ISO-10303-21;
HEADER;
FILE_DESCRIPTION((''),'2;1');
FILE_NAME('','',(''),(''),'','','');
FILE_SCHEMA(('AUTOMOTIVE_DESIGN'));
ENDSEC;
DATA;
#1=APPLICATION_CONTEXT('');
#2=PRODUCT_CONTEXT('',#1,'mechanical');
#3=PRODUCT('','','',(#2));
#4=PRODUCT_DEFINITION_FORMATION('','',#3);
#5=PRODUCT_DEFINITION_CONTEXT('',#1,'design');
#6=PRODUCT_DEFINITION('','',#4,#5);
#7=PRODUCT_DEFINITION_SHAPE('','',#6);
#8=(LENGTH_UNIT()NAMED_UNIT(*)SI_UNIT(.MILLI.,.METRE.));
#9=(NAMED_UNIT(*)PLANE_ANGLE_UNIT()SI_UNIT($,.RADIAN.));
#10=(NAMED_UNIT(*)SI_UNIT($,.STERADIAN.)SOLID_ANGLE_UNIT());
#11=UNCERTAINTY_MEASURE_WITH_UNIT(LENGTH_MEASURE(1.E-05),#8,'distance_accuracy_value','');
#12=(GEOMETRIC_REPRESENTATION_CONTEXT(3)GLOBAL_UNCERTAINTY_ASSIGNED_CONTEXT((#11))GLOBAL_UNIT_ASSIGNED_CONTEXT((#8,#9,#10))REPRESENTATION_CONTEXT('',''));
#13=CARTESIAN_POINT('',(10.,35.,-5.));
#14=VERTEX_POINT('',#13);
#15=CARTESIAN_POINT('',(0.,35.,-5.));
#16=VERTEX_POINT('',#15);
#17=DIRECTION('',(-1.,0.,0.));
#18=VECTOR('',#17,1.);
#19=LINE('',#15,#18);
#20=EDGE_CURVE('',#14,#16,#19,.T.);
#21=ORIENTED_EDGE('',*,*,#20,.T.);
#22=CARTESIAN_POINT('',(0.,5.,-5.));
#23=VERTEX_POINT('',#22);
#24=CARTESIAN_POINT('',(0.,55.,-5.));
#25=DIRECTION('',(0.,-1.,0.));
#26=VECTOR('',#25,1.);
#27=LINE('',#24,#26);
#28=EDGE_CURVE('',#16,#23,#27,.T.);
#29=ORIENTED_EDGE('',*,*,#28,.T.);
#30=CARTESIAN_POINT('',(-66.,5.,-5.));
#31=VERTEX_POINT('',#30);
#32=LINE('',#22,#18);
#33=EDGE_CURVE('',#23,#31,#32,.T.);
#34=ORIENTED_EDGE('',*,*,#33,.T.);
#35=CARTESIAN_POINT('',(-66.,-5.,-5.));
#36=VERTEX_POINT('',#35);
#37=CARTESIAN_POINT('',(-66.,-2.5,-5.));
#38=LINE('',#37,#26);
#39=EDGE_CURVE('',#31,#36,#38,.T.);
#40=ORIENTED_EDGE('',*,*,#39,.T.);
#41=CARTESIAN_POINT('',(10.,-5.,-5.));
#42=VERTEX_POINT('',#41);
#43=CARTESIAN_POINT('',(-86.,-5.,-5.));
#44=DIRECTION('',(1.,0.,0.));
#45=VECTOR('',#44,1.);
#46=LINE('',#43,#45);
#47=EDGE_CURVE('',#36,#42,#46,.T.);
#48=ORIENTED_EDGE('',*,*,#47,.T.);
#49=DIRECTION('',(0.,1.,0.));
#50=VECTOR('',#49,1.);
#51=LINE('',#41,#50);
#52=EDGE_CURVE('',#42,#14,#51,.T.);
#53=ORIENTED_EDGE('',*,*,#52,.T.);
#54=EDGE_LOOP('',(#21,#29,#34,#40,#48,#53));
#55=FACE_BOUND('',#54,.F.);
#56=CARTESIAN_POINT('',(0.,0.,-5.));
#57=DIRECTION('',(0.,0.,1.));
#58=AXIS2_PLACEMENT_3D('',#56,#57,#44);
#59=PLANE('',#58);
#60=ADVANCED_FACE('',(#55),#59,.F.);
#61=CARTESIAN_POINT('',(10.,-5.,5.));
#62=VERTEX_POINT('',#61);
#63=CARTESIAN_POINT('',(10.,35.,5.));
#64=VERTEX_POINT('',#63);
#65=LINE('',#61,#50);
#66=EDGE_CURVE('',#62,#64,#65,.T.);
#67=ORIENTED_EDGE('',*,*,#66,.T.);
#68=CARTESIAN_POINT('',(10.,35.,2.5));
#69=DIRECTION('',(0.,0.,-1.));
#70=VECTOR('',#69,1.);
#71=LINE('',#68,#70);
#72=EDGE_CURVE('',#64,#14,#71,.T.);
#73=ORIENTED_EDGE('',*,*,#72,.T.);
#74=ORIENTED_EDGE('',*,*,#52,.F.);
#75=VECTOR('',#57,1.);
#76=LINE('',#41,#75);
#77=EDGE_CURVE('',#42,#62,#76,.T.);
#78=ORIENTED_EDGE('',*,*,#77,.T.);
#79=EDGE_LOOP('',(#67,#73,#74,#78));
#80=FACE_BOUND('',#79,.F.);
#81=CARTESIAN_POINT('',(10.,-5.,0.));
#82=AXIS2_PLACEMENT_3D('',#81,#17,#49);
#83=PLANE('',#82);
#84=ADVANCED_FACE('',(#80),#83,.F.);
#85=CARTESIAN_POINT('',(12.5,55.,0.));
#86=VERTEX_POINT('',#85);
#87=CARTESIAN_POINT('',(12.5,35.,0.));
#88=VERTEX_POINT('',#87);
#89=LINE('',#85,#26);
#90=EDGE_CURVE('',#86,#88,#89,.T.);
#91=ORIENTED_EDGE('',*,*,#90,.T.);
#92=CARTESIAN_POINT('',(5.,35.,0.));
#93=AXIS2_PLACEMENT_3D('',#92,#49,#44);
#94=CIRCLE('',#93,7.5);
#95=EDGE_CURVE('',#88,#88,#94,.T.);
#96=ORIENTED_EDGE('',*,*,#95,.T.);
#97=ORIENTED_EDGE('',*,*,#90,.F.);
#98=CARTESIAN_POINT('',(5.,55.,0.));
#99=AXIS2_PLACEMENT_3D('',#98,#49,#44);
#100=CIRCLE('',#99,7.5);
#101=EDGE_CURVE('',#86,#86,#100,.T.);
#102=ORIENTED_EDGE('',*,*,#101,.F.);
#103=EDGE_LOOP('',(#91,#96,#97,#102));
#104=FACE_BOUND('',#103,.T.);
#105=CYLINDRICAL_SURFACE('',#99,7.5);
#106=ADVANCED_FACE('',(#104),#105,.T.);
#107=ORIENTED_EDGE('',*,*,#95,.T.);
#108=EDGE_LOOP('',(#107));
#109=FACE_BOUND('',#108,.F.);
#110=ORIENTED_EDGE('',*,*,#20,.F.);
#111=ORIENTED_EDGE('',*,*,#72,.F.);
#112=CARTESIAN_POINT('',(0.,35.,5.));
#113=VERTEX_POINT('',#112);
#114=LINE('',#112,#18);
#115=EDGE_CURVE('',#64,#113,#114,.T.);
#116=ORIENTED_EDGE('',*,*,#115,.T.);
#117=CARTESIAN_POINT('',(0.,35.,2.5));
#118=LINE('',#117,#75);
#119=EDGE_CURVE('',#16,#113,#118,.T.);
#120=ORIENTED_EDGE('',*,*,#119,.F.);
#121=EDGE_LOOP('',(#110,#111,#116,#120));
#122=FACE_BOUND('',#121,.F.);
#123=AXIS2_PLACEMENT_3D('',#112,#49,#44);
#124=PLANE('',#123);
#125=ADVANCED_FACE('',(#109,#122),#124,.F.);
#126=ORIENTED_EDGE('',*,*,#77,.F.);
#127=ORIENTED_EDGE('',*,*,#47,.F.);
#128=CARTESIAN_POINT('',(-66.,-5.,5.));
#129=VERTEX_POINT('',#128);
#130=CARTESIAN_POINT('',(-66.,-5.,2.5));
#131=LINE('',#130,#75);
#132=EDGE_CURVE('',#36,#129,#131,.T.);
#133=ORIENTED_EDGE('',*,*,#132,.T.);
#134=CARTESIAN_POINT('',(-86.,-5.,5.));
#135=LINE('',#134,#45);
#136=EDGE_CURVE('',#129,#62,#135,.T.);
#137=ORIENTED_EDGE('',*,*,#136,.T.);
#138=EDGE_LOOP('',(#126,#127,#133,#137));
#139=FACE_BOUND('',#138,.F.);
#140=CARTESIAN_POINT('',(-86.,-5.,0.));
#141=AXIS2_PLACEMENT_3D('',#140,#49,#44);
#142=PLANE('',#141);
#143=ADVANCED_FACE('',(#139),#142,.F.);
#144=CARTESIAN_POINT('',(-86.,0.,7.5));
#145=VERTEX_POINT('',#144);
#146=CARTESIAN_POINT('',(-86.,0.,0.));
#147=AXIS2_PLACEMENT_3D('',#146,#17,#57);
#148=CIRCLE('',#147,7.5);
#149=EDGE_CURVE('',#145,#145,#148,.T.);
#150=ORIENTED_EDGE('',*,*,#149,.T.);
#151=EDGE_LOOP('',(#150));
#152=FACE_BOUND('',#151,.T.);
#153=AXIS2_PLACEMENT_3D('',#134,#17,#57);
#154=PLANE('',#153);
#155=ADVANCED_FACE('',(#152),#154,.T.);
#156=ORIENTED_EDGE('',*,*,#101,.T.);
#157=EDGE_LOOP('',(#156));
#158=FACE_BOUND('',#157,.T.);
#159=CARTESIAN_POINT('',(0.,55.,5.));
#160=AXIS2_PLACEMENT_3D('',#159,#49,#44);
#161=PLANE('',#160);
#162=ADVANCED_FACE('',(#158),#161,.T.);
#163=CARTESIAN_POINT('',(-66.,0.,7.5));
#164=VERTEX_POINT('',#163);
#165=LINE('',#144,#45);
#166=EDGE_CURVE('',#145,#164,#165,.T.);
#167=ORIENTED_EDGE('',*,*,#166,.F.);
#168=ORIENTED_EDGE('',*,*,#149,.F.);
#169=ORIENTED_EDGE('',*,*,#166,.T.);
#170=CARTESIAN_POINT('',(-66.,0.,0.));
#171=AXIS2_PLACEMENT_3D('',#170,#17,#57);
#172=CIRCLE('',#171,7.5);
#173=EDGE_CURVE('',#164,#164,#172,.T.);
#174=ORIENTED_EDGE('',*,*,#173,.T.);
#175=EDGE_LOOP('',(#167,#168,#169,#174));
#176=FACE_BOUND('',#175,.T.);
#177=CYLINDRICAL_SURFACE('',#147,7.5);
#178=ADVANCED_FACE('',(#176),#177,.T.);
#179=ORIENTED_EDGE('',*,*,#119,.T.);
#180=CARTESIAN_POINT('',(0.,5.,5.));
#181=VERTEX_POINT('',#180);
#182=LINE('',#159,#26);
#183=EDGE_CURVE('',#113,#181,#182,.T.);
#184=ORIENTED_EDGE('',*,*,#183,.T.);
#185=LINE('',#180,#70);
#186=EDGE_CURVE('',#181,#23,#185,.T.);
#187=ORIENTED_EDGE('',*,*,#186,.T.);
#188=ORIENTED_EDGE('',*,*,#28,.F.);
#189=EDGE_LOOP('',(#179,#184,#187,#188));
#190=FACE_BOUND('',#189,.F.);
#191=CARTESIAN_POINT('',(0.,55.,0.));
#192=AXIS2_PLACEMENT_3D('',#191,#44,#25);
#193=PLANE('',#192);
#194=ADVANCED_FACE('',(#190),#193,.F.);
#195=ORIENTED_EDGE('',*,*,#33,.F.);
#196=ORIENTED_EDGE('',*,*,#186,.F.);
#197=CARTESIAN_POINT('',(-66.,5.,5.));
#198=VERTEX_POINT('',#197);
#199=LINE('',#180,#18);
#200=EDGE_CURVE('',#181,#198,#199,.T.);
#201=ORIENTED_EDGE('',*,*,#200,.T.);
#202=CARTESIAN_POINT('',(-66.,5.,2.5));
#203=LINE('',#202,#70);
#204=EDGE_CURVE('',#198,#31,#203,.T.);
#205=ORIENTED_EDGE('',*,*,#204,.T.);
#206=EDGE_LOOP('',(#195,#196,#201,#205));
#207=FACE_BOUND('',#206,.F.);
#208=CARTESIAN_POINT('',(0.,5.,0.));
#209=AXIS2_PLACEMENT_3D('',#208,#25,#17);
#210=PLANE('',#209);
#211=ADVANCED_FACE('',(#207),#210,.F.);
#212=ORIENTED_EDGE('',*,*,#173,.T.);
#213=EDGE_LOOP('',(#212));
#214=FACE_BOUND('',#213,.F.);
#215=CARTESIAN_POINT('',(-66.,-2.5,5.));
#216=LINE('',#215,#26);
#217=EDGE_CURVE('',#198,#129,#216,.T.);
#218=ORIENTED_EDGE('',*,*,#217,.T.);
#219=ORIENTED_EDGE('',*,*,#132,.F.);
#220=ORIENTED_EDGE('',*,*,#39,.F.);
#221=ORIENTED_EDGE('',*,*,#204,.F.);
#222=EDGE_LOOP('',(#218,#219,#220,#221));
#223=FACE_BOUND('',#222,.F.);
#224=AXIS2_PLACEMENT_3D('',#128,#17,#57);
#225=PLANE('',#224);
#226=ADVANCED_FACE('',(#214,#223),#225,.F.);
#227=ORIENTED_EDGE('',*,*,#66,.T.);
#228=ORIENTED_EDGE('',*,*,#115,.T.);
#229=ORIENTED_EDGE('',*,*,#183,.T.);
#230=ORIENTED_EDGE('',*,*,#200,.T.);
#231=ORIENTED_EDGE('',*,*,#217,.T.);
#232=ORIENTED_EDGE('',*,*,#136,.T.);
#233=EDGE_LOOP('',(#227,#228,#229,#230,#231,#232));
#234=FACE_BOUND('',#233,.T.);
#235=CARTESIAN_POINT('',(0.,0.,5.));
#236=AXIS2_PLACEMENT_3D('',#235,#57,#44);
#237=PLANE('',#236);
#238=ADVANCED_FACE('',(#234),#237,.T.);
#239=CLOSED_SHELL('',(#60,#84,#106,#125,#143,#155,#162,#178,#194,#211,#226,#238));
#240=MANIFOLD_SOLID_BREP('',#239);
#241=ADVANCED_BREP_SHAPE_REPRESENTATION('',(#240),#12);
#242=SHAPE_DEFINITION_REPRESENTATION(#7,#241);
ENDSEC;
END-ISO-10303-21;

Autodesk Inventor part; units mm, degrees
ref_plane "YZ Plane" through (0, 0, 0) normal (1, 0, 0) x (0, 1, 0)
ref_plane "XZ Plane" through (0, 0, 0) normal (0, 1, 0) x (-1, 0, 0)
ref_plane "XY Plane" through (0, 0, 0) normal (0, 0, 1) x (1, 0, 0)
sketch "スケッチ1" plane through (0, 0, 0) normal (0, 0, 1) x (1, 0, 0)
  line L0 (-86, 5) -> (-86, -5)
  line L1 (-86, -5) -> (10, -5)
  line L2 (10, -5) -> (10, 55)
  line L3 (10, 55) -> (0, 55)
  line L4 (0, 55) -> (0, 5)
  line L5 (0, 5) -> (-86, 5)
  point P0 (0, 0)
  dimension "d0" = 10
  dimension "d1" = 10
  dimension "d2" = 60
  dimension "d3" = 10
  dimension "d4" = 96
  dimension "d5" = 5
extrude "押し出し1" add sketch "スケッチ1" along normal blind 5 and the other way blind 5
sketch "スケッチ2" plane through (0, 55, 5) normal (0, 1, 0) x (1, 0, 0)
  circle A0 centre (5, 5) radius 7.5
  line L0 (0, 10) -> (10, 10) projected
  line L1 (0, 10) -> (0, 0) projected
  point P0 (0, 5)
  point P1 (0, 5)
  dimension "d10" = 5
  dimension "d11" = 5
  dimension "d12" = 15
extrude "押し出し2" add sketch "スケッチ2" against normal blind 20
sketch "スケッチ3" plane through (-86, -5, 5) normal (-1, 0, 0) x (0, 0, 1)
  circle A0 centre (-5, 5) radius 7.5
  point P0 (-5, 5)
  dimension "d15" = 15
extrude "押し出し3" add sketch "スケッチ3" against normal blind 20
properties part number "link_wr2wp_l"
